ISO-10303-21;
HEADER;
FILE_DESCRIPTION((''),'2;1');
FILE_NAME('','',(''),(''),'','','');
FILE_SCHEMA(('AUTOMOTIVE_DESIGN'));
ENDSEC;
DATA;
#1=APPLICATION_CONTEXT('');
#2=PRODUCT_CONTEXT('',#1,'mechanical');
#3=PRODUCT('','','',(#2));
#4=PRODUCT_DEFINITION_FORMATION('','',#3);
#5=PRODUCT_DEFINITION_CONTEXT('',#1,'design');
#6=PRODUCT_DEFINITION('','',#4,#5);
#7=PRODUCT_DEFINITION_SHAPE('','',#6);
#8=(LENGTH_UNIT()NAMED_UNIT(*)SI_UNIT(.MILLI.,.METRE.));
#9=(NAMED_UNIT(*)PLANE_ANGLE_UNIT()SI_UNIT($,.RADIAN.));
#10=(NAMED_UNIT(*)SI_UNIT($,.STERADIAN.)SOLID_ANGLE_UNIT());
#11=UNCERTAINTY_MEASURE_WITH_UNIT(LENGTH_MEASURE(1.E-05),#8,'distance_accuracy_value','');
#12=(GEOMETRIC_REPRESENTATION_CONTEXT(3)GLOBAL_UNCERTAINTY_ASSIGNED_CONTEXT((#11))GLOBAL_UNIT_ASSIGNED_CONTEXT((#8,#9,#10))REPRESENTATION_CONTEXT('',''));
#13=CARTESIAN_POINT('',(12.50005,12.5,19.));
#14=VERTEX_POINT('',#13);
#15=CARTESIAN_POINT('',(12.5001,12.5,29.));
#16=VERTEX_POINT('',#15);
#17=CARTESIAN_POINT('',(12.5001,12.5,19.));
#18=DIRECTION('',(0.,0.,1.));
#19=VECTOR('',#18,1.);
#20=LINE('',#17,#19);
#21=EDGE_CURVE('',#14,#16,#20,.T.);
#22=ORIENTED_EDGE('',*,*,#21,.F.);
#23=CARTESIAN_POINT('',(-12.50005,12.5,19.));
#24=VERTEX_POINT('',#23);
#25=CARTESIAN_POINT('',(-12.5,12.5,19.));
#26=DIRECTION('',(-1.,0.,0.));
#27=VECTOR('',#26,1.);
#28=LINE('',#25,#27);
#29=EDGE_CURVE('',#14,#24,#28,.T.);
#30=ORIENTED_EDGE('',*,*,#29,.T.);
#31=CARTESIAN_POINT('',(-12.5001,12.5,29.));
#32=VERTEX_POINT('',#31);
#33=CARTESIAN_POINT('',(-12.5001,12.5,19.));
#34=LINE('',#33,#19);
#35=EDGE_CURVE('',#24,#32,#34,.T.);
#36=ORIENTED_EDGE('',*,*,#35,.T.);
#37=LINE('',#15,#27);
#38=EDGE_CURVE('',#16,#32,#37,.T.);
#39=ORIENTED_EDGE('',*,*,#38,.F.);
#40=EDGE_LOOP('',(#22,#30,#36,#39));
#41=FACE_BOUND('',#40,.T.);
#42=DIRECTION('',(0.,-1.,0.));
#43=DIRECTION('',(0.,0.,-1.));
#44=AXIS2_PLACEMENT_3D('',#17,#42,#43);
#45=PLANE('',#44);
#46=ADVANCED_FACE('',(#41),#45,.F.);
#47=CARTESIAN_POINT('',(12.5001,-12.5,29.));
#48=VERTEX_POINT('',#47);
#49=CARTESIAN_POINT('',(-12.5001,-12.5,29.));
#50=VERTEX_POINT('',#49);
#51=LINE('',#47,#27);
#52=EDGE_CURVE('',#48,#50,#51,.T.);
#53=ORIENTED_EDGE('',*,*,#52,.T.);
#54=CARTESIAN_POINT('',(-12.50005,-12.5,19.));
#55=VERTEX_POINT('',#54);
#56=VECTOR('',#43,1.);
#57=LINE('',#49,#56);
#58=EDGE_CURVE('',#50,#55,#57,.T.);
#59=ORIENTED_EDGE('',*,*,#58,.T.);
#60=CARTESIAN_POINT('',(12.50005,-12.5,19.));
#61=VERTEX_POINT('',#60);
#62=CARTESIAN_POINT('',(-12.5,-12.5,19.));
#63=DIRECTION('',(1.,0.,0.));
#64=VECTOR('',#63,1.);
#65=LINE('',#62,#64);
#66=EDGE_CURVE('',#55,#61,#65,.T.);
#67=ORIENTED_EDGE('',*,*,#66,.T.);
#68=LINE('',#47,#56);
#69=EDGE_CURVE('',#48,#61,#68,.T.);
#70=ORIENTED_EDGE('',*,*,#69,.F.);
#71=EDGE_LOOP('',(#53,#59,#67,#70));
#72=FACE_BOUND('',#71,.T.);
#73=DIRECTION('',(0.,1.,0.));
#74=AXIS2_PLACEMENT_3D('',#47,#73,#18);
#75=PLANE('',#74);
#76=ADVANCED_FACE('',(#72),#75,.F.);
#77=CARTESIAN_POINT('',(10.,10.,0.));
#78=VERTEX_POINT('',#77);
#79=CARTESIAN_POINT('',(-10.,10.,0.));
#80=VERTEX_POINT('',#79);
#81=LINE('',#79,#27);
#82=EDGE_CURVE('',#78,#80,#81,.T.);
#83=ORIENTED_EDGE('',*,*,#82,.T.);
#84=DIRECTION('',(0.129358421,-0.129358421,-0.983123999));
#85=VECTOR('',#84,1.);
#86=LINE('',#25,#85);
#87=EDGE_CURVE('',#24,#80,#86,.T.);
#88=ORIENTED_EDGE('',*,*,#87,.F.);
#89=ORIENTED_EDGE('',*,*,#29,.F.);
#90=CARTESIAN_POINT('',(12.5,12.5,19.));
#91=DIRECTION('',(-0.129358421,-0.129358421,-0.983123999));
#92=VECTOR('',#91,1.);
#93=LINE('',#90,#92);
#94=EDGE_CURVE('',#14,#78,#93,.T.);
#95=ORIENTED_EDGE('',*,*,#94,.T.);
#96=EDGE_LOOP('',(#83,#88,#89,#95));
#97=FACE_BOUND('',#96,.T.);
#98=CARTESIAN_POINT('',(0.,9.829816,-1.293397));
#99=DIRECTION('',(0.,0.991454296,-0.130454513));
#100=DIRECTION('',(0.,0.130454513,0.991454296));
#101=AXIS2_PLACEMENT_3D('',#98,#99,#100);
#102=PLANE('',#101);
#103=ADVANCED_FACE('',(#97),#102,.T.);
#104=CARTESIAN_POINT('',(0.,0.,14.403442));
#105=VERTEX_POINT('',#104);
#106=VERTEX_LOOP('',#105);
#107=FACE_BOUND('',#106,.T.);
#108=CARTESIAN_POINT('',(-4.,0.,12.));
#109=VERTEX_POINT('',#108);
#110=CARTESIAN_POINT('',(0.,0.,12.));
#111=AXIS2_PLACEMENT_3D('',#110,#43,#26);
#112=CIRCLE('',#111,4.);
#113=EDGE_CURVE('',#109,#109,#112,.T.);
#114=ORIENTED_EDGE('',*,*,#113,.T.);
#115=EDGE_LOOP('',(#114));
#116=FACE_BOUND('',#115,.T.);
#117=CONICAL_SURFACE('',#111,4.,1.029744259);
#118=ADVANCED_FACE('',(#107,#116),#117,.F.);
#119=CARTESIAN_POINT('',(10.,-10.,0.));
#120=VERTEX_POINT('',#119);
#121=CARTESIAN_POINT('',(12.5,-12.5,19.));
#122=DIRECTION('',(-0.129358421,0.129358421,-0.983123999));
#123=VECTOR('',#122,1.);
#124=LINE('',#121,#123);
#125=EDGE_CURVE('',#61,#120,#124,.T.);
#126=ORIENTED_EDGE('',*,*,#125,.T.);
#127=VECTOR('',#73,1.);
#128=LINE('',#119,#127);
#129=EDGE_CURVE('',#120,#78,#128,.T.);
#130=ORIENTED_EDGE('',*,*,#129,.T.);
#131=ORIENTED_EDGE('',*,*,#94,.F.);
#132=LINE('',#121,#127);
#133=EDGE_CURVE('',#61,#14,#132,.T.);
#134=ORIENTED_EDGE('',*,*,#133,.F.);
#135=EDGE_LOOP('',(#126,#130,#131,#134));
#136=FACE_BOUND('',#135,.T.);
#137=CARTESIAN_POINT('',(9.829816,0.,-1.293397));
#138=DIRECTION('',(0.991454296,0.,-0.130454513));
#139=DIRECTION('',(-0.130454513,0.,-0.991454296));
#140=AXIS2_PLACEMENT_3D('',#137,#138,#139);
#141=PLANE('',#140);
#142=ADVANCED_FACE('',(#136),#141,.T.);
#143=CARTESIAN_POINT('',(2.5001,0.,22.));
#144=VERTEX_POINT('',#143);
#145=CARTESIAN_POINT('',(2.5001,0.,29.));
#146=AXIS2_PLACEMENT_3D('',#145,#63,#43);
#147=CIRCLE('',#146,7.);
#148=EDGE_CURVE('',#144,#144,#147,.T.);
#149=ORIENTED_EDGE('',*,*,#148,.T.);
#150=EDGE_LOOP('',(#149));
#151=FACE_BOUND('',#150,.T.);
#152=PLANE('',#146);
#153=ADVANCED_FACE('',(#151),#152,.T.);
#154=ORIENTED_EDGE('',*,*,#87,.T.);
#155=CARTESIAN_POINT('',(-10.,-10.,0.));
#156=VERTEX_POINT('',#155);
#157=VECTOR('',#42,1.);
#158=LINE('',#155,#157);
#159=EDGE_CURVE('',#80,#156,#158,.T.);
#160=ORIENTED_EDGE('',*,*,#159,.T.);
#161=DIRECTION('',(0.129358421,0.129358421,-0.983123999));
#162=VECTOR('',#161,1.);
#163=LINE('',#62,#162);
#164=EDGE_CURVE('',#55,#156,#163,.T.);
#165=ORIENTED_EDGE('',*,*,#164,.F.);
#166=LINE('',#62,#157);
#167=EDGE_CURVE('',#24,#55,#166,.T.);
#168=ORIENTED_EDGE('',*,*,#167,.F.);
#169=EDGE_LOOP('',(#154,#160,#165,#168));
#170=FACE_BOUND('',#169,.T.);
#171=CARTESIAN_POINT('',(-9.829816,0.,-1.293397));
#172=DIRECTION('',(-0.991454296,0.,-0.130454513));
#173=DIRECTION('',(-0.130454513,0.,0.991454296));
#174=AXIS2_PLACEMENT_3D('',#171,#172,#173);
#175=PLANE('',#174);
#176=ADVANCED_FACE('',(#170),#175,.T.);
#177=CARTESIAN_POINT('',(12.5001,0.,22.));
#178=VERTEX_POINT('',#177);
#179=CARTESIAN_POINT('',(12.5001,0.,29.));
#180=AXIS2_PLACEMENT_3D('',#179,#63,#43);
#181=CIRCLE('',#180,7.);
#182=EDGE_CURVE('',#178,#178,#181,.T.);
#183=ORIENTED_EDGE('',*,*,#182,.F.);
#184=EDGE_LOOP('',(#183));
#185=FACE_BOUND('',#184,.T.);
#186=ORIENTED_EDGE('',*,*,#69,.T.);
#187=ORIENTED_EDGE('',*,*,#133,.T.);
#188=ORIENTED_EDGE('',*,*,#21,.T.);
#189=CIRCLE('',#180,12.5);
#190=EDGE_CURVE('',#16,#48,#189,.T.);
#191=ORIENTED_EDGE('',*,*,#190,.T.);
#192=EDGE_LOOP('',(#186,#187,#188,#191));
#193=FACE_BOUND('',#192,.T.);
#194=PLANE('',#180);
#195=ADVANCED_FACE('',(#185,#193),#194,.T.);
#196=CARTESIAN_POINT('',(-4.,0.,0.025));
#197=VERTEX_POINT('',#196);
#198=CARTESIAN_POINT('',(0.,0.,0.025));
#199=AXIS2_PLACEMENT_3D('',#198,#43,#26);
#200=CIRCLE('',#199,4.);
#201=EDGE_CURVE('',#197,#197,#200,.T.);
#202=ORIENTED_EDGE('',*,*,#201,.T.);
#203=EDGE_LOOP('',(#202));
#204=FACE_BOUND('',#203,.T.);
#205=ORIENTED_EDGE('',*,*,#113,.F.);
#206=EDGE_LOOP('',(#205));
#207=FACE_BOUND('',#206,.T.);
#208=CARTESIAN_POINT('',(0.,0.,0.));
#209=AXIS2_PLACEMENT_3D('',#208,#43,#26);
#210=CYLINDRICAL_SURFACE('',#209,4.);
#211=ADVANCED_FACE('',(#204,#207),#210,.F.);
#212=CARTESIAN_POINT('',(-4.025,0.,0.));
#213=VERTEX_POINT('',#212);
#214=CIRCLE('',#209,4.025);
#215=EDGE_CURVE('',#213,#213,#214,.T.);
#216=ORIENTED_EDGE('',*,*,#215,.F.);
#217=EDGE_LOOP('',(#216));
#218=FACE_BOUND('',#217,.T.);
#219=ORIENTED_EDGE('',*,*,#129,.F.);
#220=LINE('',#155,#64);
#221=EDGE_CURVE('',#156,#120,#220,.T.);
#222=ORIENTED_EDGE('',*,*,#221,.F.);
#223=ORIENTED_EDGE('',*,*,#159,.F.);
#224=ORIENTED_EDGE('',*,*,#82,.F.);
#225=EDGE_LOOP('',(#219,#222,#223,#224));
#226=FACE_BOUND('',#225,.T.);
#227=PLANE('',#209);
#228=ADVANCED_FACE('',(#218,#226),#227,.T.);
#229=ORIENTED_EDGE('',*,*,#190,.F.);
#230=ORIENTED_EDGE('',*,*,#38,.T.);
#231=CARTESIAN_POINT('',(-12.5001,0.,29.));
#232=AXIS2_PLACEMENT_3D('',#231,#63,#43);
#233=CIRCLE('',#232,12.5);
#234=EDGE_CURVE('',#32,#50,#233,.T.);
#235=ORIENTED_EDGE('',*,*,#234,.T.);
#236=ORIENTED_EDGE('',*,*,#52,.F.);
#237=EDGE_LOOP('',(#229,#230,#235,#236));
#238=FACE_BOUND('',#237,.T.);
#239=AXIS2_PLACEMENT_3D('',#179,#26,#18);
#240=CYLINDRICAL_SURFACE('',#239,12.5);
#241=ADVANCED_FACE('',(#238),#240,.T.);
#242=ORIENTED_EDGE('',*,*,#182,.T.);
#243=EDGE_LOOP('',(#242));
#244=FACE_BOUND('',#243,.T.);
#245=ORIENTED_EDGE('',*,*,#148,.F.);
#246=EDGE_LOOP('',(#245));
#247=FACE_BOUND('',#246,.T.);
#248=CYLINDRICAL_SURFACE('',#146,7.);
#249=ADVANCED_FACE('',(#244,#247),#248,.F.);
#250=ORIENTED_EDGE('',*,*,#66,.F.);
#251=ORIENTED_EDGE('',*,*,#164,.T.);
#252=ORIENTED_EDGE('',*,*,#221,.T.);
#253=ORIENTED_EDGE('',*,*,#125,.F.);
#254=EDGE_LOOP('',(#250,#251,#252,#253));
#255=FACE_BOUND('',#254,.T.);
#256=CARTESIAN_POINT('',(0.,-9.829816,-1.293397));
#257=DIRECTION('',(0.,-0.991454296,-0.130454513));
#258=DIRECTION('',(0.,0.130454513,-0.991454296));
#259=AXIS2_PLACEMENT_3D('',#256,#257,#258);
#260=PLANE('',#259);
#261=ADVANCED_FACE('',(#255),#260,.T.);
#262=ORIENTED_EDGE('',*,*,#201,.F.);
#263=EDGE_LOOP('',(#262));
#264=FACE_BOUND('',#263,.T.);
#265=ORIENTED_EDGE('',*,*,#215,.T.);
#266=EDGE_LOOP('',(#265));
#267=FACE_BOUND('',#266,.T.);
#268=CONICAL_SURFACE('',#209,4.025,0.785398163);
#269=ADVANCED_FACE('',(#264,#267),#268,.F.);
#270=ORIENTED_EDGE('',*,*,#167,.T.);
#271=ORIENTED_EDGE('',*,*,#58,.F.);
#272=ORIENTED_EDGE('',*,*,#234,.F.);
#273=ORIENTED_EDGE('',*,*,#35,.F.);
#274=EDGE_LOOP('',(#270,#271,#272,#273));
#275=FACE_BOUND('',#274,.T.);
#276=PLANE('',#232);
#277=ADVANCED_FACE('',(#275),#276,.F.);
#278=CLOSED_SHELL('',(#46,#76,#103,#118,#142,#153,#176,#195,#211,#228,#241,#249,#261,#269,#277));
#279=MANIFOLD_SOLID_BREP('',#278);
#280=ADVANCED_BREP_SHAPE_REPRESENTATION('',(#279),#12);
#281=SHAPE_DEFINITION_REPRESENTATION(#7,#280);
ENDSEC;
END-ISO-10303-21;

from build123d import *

# Parameters (mm, degrees)
BOSS_EXTRUDE1_DEPTH             = 12.5
BOSS_EXTRUDE1_DEPTH_BACK        = 12.5
SKETCH4_R                       = 7
CUT_EXTRUDE1_DEPTH              = 10
F_8_0MM_DOWEL_HOLE1_D           = 8
F_8_0MM_DOWEL_HOLE1_DEPTH       = 12
F_8_0MM_DOWEL_HOLE1_CSINK_D     = 8.05
F_8_0MM_DOWEL_HOLE1_CSINK_ANGLE = 90
F_8_0MM_DOWEL_HOLE1_TIP         = 2.403442476


with BuildPart() as part:
    # Sketch2 → Loft1 section 0
    with BuildSketch(Plane.XY.offset(19)):
        with BuildLine():
            Line((-12.5, -12.5), (12.5, -12.5))
            Line((12.5, -12.5), (12.5, 12.5))
            Line((12.5, 12.5), (-12.5, 12.5))
            Line((-12.5, 12.5), (-12.5, -12.5))
        make_face()
    # Sketch1 → Loft1 section 1
    with BuildSketch(Plane.XY):
        with BuildLine():
            Line((-10, -10), (10, -10))
            Line((10, -10), (10, 10))
            Line((10, 10), (-10, 10))
            Line((-10, 10), (-10, -10))
        make_face()
    loft()

    # Sketch3 → Boss-Extrude1 (add, two sides: drawn at the far end of the back side and taken through both)
    with BuildSketch(Plane(origin=(0, 0, 0), x_dir=(0, 0, -1), z_dir=(1, 0, 0)).offset(-BOSS_EXTRUDE1_DEPTH_BACK)):
        with BuildLine():
            Line((-19, 12.5), (-29, 12.5))
            ThreePointArc((-29, 12.5), (-41.5, 0), (-29, -12.5))
            Line((-29, -12.5), (-19, -12.5))
            Line((-19, -12.5), (-19, 12.5))
        make_face()
    extrude(amount=BOSS_EXTRUDE1_DEPTH + BOSS_EXTRUDE1_DEPTH_BACK)

    # Sketch4 → Cut-Extrude1 (cut)
    with BuildSketch(Plane(origin=(12.5001, 0, 0), x_dir=(0, 0, -1), z_dir=(1, 0, 0))):
        with Locations((-29, 0)):
            Circle(SKETCH4_R)
    extrude(amount=-CUT_EXTRUDE1_DEPTH, mode=Mode.SUBTRACT)

    # Ø8.0mm Dowel Hole1
    with Locations(Plane(origin=(0, 0, 0), x_dir=(-1, 0, 0), z_dir=(0, 0, -1))):
        with Locations((0, 0)):
            CounterSinkHole(F_8_0MM_DOWEL_HOLE1_D / 2, F_8_0MM_DOWEL_HOLE1_CSINK_D / 2, depth=F_8_0MM_DOWEL_HOLE1_DEPTH, counter_sink_angle=F_8_0MM_DOWEL_HOLE1_CSINK_ANGLE)
            with Locations((0, 0, -(F_8_0MM_DOWEL_HOLE1_DEPTH + F_8_0MM_DOWEL_HOLE1_TIP / 2))):  # 118° drill point
                Cone(0, F_8_0MM_DOWEL_HOLE1_D / 2, F_8_0MM_DOWEL_HOLE1_TIP, mode=Mode.SUBTRACT)


solid = part.part
